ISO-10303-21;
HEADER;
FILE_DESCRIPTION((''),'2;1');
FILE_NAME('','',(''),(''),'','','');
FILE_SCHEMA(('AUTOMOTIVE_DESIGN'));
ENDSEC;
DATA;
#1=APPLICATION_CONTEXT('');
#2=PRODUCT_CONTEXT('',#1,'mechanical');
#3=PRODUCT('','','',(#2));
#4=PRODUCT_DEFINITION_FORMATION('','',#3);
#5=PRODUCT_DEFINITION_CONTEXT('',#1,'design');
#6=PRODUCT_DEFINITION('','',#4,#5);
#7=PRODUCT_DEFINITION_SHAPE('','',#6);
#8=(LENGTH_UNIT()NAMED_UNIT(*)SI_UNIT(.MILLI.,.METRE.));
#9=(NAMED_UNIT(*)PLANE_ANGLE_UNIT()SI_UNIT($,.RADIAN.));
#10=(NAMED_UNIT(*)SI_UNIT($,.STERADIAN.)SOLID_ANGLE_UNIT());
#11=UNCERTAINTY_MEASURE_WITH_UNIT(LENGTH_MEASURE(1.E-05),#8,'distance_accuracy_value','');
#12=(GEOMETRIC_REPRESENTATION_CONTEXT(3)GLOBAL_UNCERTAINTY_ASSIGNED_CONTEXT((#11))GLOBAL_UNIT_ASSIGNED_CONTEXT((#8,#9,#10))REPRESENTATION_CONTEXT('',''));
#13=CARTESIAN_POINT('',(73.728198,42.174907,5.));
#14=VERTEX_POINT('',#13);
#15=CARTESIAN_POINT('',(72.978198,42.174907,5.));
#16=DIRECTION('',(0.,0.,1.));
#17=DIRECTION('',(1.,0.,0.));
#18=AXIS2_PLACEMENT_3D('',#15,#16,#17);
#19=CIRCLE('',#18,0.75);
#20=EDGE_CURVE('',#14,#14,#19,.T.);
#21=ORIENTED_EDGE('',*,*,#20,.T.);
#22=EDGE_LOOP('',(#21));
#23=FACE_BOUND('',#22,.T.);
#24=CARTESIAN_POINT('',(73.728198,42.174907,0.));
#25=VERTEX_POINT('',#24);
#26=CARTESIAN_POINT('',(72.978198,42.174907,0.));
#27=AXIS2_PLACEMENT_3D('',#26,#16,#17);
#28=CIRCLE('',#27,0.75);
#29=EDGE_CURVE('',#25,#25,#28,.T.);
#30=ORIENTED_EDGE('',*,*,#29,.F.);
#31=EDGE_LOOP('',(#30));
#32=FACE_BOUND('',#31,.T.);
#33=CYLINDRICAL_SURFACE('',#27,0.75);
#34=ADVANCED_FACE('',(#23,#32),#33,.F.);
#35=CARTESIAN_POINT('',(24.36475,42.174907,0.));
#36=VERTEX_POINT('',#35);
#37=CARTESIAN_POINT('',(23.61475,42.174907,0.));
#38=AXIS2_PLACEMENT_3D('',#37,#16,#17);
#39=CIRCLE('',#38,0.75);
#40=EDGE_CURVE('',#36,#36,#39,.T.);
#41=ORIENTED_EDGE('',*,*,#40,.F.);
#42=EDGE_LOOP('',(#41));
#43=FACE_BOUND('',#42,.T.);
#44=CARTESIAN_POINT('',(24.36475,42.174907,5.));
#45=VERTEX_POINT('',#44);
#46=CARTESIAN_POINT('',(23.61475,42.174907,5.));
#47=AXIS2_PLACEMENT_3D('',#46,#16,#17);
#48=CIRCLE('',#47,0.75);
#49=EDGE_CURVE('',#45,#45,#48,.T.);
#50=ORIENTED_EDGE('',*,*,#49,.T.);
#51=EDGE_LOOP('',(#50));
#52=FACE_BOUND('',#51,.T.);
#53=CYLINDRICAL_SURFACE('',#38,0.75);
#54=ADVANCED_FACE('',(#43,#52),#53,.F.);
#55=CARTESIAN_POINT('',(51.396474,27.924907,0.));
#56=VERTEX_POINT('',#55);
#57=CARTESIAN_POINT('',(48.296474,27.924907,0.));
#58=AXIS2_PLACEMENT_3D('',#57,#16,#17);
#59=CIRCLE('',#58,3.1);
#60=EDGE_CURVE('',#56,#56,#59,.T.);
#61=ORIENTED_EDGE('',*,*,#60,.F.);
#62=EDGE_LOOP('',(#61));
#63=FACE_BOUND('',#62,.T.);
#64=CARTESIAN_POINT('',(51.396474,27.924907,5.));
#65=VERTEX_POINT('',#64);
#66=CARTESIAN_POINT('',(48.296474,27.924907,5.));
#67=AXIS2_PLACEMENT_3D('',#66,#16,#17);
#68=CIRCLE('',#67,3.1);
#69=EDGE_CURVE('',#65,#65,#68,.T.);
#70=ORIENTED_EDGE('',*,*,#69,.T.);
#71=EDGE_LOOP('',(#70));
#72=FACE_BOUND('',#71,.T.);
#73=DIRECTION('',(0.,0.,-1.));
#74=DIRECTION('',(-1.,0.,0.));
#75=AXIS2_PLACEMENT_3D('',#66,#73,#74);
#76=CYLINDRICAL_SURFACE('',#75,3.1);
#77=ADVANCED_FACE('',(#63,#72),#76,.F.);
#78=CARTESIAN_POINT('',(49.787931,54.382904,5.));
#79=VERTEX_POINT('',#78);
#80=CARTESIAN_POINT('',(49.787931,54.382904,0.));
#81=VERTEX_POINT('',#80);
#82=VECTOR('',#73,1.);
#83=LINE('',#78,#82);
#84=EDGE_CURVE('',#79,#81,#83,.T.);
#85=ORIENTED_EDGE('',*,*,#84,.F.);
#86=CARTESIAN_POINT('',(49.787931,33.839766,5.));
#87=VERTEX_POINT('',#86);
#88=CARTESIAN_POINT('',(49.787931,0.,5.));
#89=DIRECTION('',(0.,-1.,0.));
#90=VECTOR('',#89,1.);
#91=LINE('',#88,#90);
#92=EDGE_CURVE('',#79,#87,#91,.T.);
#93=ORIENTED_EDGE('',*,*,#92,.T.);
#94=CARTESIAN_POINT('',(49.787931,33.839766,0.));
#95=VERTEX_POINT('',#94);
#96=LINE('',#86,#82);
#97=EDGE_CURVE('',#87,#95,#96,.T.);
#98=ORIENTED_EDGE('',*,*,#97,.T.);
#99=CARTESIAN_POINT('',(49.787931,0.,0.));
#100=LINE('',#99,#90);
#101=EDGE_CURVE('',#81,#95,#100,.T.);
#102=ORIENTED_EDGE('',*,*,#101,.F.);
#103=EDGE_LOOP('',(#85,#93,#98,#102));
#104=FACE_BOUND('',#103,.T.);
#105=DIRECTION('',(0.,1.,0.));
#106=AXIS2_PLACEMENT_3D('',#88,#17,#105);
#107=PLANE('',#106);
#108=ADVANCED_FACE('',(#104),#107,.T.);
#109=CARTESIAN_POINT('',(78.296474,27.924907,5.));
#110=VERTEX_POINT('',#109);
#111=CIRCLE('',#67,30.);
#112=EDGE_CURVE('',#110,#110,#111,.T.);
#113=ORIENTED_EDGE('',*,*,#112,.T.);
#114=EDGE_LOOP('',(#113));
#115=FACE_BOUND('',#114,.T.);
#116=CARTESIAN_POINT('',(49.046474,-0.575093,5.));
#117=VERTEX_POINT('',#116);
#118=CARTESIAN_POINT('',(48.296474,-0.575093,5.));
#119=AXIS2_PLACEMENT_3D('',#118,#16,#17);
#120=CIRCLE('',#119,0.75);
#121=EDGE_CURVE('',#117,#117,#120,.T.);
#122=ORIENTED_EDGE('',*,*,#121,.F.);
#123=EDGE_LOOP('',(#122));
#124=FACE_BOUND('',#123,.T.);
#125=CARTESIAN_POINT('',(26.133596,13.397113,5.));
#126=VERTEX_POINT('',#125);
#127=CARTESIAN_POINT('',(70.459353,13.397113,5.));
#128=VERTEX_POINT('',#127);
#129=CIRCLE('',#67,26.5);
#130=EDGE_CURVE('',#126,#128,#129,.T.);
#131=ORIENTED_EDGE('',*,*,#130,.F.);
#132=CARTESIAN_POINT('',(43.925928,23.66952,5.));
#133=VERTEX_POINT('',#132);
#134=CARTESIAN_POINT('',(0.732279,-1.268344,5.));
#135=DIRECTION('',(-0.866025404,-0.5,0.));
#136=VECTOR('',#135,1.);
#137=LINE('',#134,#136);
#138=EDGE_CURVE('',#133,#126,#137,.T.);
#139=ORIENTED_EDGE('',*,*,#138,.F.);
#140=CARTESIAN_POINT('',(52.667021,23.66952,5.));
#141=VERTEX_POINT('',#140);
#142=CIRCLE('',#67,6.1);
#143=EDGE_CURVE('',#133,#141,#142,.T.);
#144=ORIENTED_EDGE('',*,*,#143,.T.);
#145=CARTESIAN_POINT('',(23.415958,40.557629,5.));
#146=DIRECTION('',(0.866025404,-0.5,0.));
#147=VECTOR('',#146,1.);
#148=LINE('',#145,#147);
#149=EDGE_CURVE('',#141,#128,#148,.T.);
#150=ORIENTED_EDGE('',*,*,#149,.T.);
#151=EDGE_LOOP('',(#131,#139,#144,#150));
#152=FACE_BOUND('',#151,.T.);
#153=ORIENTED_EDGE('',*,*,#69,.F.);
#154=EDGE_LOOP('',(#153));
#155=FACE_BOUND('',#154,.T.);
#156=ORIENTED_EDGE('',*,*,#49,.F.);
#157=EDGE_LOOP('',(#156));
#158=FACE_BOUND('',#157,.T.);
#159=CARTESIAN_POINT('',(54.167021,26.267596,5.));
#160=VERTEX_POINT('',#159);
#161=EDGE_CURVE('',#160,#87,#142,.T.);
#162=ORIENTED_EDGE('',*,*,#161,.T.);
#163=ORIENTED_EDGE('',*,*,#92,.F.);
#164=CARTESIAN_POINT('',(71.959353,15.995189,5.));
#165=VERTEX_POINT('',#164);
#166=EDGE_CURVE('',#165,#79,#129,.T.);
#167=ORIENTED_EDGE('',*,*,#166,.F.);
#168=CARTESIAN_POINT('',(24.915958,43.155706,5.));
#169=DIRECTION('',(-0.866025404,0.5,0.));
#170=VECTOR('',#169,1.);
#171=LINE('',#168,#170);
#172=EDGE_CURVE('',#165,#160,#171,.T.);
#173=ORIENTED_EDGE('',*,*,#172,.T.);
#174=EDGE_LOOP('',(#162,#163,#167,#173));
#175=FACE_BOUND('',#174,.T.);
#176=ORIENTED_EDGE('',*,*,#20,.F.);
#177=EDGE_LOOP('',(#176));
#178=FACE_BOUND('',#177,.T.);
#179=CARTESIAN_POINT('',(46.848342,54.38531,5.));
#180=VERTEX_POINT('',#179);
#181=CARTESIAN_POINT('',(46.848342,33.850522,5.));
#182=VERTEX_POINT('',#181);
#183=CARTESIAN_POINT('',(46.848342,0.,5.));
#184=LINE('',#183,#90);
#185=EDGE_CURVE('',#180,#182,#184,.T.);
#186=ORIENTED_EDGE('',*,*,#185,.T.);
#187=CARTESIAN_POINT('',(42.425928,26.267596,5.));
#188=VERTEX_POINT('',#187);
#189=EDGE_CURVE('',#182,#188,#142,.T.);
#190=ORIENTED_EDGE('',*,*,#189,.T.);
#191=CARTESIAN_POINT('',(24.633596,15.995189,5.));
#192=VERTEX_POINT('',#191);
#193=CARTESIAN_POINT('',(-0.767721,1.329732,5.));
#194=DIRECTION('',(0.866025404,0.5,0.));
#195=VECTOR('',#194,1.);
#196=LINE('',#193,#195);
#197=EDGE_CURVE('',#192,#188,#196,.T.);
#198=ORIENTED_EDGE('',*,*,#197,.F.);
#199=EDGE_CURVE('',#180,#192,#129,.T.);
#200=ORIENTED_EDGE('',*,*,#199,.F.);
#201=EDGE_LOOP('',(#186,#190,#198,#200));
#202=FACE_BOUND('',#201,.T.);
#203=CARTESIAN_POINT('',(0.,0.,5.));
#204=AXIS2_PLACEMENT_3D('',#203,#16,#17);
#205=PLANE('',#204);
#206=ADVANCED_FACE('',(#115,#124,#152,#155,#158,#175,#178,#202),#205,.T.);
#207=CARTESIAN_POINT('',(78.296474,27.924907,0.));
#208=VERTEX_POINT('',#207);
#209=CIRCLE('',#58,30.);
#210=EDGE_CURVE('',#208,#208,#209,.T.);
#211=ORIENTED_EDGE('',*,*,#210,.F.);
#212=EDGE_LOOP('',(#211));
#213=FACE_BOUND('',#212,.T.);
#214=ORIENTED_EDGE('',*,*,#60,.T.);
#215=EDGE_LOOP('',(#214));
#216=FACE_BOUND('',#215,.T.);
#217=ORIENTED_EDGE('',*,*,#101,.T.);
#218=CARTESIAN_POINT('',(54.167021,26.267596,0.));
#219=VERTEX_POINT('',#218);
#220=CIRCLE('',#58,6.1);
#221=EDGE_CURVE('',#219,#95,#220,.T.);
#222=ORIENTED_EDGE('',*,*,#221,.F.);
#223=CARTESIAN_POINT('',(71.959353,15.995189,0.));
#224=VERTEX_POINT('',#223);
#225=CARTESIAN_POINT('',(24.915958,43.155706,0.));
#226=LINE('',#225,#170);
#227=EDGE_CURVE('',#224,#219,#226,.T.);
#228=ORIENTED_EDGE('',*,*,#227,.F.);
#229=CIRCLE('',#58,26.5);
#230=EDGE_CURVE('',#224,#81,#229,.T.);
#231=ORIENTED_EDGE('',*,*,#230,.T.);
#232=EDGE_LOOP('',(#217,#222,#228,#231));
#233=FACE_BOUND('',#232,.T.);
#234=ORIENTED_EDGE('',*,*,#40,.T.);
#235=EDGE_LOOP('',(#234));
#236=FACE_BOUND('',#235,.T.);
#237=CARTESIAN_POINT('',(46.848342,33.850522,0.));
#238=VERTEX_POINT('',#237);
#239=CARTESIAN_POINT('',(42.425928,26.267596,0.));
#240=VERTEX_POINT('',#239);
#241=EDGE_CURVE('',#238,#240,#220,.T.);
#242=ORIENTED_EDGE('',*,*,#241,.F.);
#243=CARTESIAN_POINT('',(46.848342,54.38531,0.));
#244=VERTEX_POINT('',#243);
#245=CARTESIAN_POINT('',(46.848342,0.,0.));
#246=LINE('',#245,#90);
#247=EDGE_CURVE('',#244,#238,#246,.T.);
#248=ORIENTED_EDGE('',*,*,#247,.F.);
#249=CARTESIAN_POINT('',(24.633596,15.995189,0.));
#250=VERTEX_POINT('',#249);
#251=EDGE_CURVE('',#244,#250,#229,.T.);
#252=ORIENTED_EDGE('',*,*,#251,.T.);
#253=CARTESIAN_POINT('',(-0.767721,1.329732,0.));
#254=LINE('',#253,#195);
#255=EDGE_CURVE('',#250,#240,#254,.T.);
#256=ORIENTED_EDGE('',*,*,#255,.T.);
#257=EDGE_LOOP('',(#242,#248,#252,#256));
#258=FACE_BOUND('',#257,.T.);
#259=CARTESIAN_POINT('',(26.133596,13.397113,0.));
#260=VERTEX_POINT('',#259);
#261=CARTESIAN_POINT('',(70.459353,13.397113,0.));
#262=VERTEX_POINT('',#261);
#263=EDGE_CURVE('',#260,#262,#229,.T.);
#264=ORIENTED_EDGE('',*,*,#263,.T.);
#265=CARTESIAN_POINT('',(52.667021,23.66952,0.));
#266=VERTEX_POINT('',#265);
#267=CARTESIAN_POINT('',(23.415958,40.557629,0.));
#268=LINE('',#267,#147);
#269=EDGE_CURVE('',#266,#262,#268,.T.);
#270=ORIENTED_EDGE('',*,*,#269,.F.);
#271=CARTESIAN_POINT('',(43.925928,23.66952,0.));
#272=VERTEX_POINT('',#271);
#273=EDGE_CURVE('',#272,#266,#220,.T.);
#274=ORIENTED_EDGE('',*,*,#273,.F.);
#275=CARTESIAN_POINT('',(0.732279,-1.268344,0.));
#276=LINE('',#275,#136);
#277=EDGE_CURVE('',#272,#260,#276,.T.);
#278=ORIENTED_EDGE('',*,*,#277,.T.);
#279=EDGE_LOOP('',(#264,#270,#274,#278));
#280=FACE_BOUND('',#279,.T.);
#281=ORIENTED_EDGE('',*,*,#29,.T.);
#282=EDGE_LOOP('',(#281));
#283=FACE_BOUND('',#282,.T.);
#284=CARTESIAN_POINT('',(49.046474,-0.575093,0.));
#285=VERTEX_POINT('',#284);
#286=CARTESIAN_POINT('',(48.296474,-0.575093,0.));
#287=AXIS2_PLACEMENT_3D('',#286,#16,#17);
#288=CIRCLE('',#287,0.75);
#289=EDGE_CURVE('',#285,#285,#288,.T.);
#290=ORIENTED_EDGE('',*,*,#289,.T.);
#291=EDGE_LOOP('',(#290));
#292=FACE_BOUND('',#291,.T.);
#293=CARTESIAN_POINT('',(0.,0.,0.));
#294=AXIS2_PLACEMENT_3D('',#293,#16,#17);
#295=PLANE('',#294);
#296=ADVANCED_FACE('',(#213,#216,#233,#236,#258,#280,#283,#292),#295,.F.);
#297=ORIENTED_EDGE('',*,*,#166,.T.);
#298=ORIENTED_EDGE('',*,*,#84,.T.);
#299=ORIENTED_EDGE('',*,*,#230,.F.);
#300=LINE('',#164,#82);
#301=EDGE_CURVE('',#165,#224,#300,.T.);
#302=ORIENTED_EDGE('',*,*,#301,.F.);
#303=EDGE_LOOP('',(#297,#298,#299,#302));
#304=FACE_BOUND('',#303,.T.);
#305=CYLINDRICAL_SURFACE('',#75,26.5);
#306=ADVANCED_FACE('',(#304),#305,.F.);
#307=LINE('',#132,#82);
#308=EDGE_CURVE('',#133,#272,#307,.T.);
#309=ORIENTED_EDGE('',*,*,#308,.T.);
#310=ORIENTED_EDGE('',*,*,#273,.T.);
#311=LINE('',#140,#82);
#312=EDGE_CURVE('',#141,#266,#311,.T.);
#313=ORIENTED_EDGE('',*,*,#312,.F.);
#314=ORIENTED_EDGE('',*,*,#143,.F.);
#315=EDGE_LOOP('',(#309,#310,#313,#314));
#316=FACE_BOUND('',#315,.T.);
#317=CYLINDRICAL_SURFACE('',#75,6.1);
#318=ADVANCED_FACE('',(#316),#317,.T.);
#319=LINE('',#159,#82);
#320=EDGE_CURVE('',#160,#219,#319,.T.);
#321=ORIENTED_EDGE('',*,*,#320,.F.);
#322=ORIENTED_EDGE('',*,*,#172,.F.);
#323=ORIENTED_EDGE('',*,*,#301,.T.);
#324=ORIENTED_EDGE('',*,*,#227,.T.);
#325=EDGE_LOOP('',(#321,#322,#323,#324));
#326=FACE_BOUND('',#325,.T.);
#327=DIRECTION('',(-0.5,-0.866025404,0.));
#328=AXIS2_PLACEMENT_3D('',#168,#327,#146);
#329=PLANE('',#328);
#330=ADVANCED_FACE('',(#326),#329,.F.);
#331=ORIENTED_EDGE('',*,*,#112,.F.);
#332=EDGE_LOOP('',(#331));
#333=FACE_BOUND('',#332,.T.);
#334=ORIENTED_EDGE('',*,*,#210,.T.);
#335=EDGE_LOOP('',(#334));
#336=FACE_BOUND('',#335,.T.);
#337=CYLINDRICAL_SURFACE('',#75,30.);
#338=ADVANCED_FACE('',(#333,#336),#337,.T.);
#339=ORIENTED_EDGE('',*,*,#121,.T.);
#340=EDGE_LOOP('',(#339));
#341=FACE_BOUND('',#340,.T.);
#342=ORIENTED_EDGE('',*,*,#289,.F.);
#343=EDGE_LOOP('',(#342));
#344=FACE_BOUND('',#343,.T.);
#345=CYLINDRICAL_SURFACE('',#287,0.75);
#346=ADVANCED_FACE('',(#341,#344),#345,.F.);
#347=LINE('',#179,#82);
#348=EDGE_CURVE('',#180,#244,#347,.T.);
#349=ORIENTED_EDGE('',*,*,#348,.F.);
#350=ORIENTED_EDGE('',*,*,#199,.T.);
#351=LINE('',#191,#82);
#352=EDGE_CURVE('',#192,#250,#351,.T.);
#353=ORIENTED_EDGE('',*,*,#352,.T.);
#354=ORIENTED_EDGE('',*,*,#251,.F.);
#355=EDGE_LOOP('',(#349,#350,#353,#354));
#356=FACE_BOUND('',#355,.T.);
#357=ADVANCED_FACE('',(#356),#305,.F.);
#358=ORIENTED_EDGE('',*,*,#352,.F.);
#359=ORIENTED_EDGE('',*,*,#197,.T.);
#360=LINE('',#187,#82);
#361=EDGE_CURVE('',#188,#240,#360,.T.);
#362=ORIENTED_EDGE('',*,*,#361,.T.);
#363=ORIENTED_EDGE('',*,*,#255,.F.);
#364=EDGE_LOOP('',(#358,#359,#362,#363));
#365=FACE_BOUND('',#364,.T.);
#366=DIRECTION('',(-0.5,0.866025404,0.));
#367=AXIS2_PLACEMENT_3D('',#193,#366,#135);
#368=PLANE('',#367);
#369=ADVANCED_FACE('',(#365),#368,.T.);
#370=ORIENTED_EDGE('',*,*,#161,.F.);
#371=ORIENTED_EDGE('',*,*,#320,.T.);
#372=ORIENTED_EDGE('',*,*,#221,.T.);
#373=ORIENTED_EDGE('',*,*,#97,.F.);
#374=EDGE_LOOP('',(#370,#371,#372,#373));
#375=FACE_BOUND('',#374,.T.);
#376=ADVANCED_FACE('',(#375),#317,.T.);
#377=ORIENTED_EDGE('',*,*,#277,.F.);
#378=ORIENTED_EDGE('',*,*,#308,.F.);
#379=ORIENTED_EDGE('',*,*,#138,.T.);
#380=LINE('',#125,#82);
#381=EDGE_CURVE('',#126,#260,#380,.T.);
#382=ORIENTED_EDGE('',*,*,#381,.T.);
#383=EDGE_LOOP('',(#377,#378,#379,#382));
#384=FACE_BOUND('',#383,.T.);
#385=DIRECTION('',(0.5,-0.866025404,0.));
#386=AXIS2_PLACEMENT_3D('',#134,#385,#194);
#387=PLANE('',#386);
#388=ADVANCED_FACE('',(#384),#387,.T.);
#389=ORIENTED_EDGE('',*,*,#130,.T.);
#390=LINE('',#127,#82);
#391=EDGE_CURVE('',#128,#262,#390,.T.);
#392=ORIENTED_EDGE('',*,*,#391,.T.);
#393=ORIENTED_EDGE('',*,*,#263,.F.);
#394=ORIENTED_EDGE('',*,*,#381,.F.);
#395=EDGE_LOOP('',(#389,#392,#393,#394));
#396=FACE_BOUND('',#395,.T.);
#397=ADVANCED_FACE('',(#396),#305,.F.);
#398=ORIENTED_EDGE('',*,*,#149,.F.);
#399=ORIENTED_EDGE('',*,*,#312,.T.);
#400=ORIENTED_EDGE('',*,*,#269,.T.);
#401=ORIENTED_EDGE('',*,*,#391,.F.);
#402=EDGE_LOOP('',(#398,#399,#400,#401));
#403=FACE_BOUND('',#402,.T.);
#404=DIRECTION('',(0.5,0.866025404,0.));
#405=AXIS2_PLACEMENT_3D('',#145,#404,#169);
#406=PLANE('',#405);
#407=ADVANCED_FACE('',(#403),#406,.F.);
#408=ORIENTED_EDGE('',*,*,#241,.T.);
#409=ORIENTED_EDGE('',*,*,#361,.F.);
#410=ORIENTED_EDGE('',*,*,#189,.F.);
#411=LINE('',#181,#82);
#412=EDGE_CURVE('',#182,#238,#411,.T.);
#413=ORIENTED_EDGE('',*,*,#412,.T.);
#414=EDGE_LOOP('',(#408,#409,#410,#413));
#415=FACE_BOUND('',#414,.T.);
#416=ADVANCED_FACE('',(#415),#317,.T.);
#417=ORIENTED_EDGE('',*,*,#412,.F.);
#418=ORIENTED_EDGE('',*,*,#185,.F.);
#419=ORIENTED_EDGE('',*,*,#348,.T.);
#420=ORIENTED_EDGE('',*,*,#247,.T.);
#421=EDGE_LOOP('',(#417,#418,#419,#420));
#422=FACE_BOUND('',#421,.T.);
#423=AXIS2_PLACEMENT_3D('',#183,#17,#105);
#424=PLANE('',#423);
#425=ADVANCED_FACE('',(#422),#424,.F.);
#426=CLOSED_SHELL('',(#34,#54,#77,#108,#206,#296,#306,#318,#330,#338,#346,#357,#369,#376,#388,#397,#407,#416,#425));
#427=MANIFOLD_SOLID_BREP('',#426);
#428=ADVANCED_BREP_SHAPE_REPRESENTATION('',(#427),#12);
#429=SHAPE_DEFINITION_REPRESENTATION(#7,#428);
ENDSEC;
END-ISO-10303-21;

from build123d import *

# Parameters (mm, degrees)
SKETCH_1_R          = 3.1
EXTRUDE_2_DEPTH     = 5
SKETCH_2_R          = 0.75
CUT_EXTRUDE_1_DEPTH = 5


with BuildPart() as part:
    # 草图1 → 凸台-拉伸2 (new body)
    # profile 1 of 13: a face of its own
    with BuildSketch(Plane.XY):
        with BuildLine():
            ThreePointArc((46.84834221, 57.889935626), (22.328704618, 42.947388438), (21.598208517, 14.242707294))
            Line((21.598208517, 14.242707294), (24.63359588, 15.995189006))
            ThreePointArc((24.63359588, 15.995189006), (25.35979925, 41.197395358), (46.84834221, 54.385310198))
            Line((46.84834221, 54.385310198), (46.84834221, 57.889935626))
        make_face()
    # profile 2 of 13: a face of its own
    with BuildSketch(Plane.XY):
        with BuildLine():
            Line((71.95935283, 15.995189006), (74.994740193, 14.242707294))
            ThreePointArc((74.994740193, 14.242707294), (77.459361516, 20.887435435), (78.296474355, 27.924907455))
            ThreePointArc((78.296474355, 27.924907455), (70.030591529, 48.60407936), (49.787930978, 57.887810471))
            Line((49.787930978, 57.887810471), (49.787930978, 54.382903546))
            ThreePointArc((49.787930978, 54.382903546), (67.554895896, 46.128291749), (74.796474355, 27.924907455))
            ThreePointArc((74.796474355, 27.924907455), (74.077439034, 21.793687331), (71.95935283, 15.995189006))
        make_face()
    # profile 3 of 13: a face of its own
    with BuildSketch(Plane.XY):
        with BuildLine():
            ThreePointArc((23.098208517, 11.644631083), (48.296474355, -2.075092545), (73.494740193, 11.644631083))
            Line((73.494740193, 11.644631083), (70.45935283, 13.397112794))
            ThreePointArc((70.45935283, 13.397112794), (48.296474355, 1.424907455), (26.13359588, 13.397112794))
            Line((26.13359588, 13.397112794), (23.098208517, 11.644631083))
        make_face()
    # profile 4 of 13: a face of its own
    with BuildSketch(Plane.XY):
        with BuildLine():
            ThreePointArc((21.598208517, 14.242707294), (22.315712241, 12.924907455), (23.098208517, 11.644631083))
            Line((23.098208517, 11.644631083), (26.13359588, 13.397112794))
            ThreePointArc((26.13359588, 13.397112794), (25.346801155, 14.674907455), (24.63359588, 15.995189006))
            Line((24.63359588, 15.995189006), (21.598208517, 14.242707294))
        make_face()
    # profile 5 of 13: a face of its own
    with BuildSketch(Plane.XY):
        with BuildLine():
            ThreePointArc((24.63359588, 15.995189006), (25.346801155, 14.674907455), (26.13359588, 13.397112794))
            Line((26.13359588, 13.397112794), (43.925927509, 23.66952025))
            ThreePointArc((43.925927509, 23.66952025), (43.013719392, 24.874907455), (42.425927509, 26.267596461))
            Line((42.425927509, 26.267596461), (24.63359588, 15.995189006))
        make_face()
    # profile 6 of 13: a face of its own
    with BuildSketch(Plane.XY):
        with BuildLine():
            Line((52.565394479, 27.19229608), (54.167021201, 26.267596461))
            ThreePointArc((54.167021201, 26.267596461), (54.338838783, 27.088347762), (54.396474355, 27.924907455))
            ThreePointArc((54.396474355, 27.924907455), (53.108328748, 31.67404833), (49.787930978, 33.839766468))
            Line((49.787930978, 33.839766468), (49.787930978, 32.638782116))
            Line((49.787930978, 32.638782116), (46.84834221, 32.638782116))
            Line((46.84834221, 32.638782116), (46.84834221, 33.850522469))
            ThreePointArc((46.84834221, 33.850522469), (43.027133101, 30.998023585), (42.425927509, 26.267596461))
            Line((42.425927509, 26.267596461), (43.927397053, 27.134470306))
            Line((43.927397053, 27.134470306), (45.427397053, 24.536394095))
            Line((45.427397053, 24.536394095), (43.925927509, 23.66952025))
            ThreePointArc((43.925927509, 23.66952025), (48.296474355, 21.824907455), (52.667021201, 23.66952025))
            Line((52.667021201, 23.66952025), (51.065394479, 24.594219869))
            Line((51.065394479, 24.594219869), (52.565394479, 27.19229608))
        make_face()
        with Locations((48.296474355, 27.924907455)):
            Circle(SKETCH_1_R, mode=Mode.SUBTRACT)
    # profile 7 of 13: a face of its own
    with BuildSketch(Plane.XY):
        with BuildLine():
            ThreePointArc((42.425927509, 26.267596461), (43.013719392, 24.874907455), (43.925927509, 23.66952025))
            Line((43.925927509, 23.66952025), (45.427397053, 24.536394095))
            Line((45.427397053, 24.536394095), (43.927397053, 27.134470306))
            Line((43.927397053, 27.134470306), (42.425927509, 26.267596461))
        make_face()
    # profile 8 of 13: a face of its own
    with BuildSketch(Plane.XY):
        with BuildLine():
            ThreePointArc((52.667021201, 23.66952025), (53.579229318, 24.874907455), (54.167021201, 26.267596461))
            Line((54.167021201, 26.267596461), (52.565394479, 27.19229608))
            Line((52.565394479, 27.19229608), (51.065394479, 24.594219869))
            Line((51.065394479, 24.594219869), (52.667021201, 23.66952025))
        make_face()
    # profile 9 of 13: a face of its own
    with BuildSketch(Plane.XY):
        with BuildLine():
            Line((49.787930978, 32.638782116), (49.787930978, 33.839766468))
            ThreePointArc((49.787930978, 33.839766468), (48.3187942, 34.024866621), (46.84834221, 33.850522469))
            Line((46.84834221, 33.850522469), (46.84834221, 32.638782116))
            Line((46.84834221, 32.638782116), (49.787930978, 32.638782116))
        make_face()
    # profile 10 of 13: a face of its own
    with BuildSketch(Plane.XY):
        with BuildLine():
            Line((49.787930978, 33.839766468), (49.787930978, 54.382903546))
            ThreePointArc((49.787930978, 54.382903546), (48.31816999, 54.424898574), (46.84834221, 54.385310198))
            Line((46.84834221, 54.385310198), (46.84834221, 33.850522469))
            ThreePointArc((46.84834221, 33.850522469), (48.3187942, 34.024866621), (49.787930978, 33.839766468))
        make_face()
    # profile 11 of 13: a face of its own
    with BuildSketch(Plane.XY):
        with BuildLine():
            ThreePointArc((70.45935283, 13.397112794), (71.246147555, 14.674907455), (71.95935283, 15.995189006))
            Line((71.95935283, 15.995189006), (54.167021201, 26.267596461))
            ThreePointArc((54.167021201, 26.267596461), (53.579229318, 24.874907455), (52.667021201, 23.66952025))
            Line((52.667021201, 23.66952025), (70.45935283, 13.397112794))
        make_face()
    # profile 12 of 13: a face of its own
    with BuildSketch(Plane.XY):
        with BuildLine():
            ThreePointArc((73.494740193, 11.644631083), (74.277236468, 12.924907455), (74.994740193, 14.242707294))
            Line((74.994740193, 14.242707294), (71.95935283, 15.995189006))
            ThreePointArc((71.95935283, 15.995189006), (71.246147555, 14.674907455), (70.45935283, 13.397112794))
            Line((70.45935283, 13.397112794), (73.494740193, 11.644631083))
        make_face()
    # profile 13 of 13: a face of its own
    with BuildSketch(Plane.XY):
        with BuildLine():
            Line((49.787930978, 54.382903546), (49.787930978, 57.887810471))
            ThreePointArc((49.787930978, 57.887810471), (48.318162639, 57.924899616), (46.84834221, 57.889935626))
            Line((46.84834221, 57.889935626), (46.84834221, 54.385310198))
            ThreePointArc((46.84834221, 54.385310198), (48.31816999, 54.424898574), (49.787930978, 54.382903546))
        make_face()
    extrude(amount=EXTRUDE_2_DEPTH)

    # 草图2 → 切除-拉伸1 (cut)
    with BuildSketch(Plane.XY.offset(5)):
        with Locations((23.614750347, 42.174907455)):
            Circle(SKETCH_2_R)
        with Locations((72.978198363, 42.174907455)):
            Circle(SKETCH_2_R)
        with Locations((48.296474355, -0.575092545)):
            Circle(SKETCH_2_R)
    extrude(amount=-CUT_EXTRUDE_1_DEPTH, mode=Mode.SUBTRACT)


solid = part.part
